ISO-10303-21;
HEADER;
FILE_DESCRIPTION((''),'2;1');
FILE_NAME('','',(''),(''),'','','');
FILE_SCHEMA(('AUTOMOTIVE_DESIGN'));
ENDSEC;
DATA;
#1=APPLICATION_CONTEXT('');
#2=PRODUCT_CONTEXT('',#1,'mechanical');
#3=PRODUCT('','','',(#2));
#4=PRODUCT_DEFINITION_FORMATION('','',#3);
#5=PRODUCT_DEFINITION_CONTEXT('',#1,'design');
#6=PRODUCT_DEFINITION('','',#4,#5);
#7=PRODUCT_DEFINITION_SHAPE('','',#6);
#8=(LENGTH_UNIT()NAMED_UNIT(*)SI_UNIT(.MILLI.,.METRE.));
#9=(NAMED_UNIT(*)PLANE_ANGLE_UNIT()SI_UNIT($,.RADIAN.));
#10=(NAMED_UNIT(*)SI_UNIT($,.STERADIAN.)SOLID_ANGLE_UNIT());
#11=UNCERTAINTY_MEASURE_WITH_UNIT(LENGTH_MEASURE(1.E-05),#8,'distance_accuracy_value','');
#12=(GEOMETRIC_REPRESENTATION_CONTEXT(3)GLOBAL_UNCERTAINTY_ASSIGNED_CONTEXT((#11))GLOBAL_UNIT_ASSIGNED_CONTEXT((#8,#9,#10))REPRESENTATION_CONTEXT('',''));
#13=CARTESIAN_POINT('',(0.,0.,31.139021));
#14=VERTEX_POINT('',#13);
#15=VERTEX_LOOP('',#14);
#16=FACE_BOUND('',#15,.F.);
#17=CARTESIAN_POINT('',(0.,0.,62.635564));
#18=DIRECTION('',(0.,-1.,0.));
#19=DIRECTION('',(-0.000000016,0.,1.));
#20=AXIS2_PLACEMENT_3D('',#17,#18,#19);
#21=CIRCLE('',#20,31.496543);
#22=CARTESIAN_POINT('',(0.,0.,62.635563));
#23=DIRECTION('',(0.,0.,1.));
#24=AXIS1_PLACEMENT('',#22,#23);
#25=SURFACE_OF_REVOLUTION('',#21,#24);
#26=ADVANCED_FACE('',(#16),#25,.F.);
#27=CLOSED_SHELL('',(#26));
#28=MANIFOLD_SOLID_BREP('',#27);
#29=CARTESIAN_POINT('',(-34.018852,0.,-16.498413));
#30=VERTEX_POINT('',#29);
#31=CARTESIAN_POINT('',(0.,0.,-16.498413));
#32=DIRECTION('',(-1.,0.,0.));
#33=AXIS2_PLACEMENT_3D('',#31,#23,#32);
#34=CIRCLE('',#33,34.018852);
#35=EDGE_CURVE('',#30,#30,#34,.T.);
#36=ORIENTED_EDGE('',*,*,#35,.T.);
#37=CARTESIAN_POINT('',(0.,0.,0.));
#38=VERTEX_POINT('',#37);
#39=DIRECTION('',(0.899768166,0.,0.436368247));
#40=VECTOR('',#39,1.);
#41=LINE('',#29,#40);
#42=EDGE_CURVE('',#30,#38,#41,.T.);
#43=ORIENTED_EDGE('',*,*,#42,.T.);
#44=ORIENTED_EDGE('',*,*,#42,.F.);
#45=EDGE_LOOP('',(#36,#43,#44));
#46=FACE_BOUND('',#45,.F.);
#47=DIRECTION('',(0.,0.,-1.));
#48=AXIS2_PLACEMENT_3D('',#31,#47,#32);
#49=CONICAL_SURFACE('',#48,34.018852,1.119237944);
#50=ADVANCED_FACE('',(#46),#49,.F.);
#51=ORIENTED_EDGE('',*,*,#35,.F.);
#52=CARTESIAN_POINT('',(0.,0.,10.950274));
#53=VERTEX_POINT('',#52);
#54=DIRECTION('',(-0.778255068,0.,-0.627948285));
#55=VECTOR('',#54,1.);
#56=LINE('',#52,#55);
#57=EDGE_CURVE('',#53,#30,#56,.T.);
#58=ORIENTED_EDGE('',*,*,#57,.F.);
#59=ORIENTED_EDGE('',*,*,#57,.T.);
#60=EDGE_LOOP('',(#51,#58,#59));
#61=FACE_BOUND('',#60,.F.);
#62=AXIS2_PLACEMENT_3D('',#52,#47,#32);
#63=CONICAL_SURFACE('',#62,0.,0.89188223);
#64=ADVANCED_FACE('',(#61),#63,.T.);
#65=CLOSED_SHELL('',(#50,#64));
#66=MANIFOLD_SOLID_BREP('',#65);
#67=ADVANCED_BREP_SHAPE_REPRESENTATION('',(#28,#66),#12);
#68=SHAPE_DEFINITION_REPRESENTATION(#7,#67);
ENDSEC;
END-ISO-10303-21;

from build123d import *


with BuildPart() as f1:
    # F0 (on Front) → F1 (revolve)
    with BuildSketch(Plane.XZ):
        with BuildLine():
            Line((0, 31.139021), (0, 94.132106))
            ThreePointArc((0, 94.132106), (-31.496542, 62.635563), (0, 31.139021))
        make_face()
        Polygon((0, 0), (0, 10.950274), (-34.018852, -16.498413), align=None)
    revolve(axis=Axis((0, 0, 62.635563), (0, 0, 1)))


solid = f1.part
